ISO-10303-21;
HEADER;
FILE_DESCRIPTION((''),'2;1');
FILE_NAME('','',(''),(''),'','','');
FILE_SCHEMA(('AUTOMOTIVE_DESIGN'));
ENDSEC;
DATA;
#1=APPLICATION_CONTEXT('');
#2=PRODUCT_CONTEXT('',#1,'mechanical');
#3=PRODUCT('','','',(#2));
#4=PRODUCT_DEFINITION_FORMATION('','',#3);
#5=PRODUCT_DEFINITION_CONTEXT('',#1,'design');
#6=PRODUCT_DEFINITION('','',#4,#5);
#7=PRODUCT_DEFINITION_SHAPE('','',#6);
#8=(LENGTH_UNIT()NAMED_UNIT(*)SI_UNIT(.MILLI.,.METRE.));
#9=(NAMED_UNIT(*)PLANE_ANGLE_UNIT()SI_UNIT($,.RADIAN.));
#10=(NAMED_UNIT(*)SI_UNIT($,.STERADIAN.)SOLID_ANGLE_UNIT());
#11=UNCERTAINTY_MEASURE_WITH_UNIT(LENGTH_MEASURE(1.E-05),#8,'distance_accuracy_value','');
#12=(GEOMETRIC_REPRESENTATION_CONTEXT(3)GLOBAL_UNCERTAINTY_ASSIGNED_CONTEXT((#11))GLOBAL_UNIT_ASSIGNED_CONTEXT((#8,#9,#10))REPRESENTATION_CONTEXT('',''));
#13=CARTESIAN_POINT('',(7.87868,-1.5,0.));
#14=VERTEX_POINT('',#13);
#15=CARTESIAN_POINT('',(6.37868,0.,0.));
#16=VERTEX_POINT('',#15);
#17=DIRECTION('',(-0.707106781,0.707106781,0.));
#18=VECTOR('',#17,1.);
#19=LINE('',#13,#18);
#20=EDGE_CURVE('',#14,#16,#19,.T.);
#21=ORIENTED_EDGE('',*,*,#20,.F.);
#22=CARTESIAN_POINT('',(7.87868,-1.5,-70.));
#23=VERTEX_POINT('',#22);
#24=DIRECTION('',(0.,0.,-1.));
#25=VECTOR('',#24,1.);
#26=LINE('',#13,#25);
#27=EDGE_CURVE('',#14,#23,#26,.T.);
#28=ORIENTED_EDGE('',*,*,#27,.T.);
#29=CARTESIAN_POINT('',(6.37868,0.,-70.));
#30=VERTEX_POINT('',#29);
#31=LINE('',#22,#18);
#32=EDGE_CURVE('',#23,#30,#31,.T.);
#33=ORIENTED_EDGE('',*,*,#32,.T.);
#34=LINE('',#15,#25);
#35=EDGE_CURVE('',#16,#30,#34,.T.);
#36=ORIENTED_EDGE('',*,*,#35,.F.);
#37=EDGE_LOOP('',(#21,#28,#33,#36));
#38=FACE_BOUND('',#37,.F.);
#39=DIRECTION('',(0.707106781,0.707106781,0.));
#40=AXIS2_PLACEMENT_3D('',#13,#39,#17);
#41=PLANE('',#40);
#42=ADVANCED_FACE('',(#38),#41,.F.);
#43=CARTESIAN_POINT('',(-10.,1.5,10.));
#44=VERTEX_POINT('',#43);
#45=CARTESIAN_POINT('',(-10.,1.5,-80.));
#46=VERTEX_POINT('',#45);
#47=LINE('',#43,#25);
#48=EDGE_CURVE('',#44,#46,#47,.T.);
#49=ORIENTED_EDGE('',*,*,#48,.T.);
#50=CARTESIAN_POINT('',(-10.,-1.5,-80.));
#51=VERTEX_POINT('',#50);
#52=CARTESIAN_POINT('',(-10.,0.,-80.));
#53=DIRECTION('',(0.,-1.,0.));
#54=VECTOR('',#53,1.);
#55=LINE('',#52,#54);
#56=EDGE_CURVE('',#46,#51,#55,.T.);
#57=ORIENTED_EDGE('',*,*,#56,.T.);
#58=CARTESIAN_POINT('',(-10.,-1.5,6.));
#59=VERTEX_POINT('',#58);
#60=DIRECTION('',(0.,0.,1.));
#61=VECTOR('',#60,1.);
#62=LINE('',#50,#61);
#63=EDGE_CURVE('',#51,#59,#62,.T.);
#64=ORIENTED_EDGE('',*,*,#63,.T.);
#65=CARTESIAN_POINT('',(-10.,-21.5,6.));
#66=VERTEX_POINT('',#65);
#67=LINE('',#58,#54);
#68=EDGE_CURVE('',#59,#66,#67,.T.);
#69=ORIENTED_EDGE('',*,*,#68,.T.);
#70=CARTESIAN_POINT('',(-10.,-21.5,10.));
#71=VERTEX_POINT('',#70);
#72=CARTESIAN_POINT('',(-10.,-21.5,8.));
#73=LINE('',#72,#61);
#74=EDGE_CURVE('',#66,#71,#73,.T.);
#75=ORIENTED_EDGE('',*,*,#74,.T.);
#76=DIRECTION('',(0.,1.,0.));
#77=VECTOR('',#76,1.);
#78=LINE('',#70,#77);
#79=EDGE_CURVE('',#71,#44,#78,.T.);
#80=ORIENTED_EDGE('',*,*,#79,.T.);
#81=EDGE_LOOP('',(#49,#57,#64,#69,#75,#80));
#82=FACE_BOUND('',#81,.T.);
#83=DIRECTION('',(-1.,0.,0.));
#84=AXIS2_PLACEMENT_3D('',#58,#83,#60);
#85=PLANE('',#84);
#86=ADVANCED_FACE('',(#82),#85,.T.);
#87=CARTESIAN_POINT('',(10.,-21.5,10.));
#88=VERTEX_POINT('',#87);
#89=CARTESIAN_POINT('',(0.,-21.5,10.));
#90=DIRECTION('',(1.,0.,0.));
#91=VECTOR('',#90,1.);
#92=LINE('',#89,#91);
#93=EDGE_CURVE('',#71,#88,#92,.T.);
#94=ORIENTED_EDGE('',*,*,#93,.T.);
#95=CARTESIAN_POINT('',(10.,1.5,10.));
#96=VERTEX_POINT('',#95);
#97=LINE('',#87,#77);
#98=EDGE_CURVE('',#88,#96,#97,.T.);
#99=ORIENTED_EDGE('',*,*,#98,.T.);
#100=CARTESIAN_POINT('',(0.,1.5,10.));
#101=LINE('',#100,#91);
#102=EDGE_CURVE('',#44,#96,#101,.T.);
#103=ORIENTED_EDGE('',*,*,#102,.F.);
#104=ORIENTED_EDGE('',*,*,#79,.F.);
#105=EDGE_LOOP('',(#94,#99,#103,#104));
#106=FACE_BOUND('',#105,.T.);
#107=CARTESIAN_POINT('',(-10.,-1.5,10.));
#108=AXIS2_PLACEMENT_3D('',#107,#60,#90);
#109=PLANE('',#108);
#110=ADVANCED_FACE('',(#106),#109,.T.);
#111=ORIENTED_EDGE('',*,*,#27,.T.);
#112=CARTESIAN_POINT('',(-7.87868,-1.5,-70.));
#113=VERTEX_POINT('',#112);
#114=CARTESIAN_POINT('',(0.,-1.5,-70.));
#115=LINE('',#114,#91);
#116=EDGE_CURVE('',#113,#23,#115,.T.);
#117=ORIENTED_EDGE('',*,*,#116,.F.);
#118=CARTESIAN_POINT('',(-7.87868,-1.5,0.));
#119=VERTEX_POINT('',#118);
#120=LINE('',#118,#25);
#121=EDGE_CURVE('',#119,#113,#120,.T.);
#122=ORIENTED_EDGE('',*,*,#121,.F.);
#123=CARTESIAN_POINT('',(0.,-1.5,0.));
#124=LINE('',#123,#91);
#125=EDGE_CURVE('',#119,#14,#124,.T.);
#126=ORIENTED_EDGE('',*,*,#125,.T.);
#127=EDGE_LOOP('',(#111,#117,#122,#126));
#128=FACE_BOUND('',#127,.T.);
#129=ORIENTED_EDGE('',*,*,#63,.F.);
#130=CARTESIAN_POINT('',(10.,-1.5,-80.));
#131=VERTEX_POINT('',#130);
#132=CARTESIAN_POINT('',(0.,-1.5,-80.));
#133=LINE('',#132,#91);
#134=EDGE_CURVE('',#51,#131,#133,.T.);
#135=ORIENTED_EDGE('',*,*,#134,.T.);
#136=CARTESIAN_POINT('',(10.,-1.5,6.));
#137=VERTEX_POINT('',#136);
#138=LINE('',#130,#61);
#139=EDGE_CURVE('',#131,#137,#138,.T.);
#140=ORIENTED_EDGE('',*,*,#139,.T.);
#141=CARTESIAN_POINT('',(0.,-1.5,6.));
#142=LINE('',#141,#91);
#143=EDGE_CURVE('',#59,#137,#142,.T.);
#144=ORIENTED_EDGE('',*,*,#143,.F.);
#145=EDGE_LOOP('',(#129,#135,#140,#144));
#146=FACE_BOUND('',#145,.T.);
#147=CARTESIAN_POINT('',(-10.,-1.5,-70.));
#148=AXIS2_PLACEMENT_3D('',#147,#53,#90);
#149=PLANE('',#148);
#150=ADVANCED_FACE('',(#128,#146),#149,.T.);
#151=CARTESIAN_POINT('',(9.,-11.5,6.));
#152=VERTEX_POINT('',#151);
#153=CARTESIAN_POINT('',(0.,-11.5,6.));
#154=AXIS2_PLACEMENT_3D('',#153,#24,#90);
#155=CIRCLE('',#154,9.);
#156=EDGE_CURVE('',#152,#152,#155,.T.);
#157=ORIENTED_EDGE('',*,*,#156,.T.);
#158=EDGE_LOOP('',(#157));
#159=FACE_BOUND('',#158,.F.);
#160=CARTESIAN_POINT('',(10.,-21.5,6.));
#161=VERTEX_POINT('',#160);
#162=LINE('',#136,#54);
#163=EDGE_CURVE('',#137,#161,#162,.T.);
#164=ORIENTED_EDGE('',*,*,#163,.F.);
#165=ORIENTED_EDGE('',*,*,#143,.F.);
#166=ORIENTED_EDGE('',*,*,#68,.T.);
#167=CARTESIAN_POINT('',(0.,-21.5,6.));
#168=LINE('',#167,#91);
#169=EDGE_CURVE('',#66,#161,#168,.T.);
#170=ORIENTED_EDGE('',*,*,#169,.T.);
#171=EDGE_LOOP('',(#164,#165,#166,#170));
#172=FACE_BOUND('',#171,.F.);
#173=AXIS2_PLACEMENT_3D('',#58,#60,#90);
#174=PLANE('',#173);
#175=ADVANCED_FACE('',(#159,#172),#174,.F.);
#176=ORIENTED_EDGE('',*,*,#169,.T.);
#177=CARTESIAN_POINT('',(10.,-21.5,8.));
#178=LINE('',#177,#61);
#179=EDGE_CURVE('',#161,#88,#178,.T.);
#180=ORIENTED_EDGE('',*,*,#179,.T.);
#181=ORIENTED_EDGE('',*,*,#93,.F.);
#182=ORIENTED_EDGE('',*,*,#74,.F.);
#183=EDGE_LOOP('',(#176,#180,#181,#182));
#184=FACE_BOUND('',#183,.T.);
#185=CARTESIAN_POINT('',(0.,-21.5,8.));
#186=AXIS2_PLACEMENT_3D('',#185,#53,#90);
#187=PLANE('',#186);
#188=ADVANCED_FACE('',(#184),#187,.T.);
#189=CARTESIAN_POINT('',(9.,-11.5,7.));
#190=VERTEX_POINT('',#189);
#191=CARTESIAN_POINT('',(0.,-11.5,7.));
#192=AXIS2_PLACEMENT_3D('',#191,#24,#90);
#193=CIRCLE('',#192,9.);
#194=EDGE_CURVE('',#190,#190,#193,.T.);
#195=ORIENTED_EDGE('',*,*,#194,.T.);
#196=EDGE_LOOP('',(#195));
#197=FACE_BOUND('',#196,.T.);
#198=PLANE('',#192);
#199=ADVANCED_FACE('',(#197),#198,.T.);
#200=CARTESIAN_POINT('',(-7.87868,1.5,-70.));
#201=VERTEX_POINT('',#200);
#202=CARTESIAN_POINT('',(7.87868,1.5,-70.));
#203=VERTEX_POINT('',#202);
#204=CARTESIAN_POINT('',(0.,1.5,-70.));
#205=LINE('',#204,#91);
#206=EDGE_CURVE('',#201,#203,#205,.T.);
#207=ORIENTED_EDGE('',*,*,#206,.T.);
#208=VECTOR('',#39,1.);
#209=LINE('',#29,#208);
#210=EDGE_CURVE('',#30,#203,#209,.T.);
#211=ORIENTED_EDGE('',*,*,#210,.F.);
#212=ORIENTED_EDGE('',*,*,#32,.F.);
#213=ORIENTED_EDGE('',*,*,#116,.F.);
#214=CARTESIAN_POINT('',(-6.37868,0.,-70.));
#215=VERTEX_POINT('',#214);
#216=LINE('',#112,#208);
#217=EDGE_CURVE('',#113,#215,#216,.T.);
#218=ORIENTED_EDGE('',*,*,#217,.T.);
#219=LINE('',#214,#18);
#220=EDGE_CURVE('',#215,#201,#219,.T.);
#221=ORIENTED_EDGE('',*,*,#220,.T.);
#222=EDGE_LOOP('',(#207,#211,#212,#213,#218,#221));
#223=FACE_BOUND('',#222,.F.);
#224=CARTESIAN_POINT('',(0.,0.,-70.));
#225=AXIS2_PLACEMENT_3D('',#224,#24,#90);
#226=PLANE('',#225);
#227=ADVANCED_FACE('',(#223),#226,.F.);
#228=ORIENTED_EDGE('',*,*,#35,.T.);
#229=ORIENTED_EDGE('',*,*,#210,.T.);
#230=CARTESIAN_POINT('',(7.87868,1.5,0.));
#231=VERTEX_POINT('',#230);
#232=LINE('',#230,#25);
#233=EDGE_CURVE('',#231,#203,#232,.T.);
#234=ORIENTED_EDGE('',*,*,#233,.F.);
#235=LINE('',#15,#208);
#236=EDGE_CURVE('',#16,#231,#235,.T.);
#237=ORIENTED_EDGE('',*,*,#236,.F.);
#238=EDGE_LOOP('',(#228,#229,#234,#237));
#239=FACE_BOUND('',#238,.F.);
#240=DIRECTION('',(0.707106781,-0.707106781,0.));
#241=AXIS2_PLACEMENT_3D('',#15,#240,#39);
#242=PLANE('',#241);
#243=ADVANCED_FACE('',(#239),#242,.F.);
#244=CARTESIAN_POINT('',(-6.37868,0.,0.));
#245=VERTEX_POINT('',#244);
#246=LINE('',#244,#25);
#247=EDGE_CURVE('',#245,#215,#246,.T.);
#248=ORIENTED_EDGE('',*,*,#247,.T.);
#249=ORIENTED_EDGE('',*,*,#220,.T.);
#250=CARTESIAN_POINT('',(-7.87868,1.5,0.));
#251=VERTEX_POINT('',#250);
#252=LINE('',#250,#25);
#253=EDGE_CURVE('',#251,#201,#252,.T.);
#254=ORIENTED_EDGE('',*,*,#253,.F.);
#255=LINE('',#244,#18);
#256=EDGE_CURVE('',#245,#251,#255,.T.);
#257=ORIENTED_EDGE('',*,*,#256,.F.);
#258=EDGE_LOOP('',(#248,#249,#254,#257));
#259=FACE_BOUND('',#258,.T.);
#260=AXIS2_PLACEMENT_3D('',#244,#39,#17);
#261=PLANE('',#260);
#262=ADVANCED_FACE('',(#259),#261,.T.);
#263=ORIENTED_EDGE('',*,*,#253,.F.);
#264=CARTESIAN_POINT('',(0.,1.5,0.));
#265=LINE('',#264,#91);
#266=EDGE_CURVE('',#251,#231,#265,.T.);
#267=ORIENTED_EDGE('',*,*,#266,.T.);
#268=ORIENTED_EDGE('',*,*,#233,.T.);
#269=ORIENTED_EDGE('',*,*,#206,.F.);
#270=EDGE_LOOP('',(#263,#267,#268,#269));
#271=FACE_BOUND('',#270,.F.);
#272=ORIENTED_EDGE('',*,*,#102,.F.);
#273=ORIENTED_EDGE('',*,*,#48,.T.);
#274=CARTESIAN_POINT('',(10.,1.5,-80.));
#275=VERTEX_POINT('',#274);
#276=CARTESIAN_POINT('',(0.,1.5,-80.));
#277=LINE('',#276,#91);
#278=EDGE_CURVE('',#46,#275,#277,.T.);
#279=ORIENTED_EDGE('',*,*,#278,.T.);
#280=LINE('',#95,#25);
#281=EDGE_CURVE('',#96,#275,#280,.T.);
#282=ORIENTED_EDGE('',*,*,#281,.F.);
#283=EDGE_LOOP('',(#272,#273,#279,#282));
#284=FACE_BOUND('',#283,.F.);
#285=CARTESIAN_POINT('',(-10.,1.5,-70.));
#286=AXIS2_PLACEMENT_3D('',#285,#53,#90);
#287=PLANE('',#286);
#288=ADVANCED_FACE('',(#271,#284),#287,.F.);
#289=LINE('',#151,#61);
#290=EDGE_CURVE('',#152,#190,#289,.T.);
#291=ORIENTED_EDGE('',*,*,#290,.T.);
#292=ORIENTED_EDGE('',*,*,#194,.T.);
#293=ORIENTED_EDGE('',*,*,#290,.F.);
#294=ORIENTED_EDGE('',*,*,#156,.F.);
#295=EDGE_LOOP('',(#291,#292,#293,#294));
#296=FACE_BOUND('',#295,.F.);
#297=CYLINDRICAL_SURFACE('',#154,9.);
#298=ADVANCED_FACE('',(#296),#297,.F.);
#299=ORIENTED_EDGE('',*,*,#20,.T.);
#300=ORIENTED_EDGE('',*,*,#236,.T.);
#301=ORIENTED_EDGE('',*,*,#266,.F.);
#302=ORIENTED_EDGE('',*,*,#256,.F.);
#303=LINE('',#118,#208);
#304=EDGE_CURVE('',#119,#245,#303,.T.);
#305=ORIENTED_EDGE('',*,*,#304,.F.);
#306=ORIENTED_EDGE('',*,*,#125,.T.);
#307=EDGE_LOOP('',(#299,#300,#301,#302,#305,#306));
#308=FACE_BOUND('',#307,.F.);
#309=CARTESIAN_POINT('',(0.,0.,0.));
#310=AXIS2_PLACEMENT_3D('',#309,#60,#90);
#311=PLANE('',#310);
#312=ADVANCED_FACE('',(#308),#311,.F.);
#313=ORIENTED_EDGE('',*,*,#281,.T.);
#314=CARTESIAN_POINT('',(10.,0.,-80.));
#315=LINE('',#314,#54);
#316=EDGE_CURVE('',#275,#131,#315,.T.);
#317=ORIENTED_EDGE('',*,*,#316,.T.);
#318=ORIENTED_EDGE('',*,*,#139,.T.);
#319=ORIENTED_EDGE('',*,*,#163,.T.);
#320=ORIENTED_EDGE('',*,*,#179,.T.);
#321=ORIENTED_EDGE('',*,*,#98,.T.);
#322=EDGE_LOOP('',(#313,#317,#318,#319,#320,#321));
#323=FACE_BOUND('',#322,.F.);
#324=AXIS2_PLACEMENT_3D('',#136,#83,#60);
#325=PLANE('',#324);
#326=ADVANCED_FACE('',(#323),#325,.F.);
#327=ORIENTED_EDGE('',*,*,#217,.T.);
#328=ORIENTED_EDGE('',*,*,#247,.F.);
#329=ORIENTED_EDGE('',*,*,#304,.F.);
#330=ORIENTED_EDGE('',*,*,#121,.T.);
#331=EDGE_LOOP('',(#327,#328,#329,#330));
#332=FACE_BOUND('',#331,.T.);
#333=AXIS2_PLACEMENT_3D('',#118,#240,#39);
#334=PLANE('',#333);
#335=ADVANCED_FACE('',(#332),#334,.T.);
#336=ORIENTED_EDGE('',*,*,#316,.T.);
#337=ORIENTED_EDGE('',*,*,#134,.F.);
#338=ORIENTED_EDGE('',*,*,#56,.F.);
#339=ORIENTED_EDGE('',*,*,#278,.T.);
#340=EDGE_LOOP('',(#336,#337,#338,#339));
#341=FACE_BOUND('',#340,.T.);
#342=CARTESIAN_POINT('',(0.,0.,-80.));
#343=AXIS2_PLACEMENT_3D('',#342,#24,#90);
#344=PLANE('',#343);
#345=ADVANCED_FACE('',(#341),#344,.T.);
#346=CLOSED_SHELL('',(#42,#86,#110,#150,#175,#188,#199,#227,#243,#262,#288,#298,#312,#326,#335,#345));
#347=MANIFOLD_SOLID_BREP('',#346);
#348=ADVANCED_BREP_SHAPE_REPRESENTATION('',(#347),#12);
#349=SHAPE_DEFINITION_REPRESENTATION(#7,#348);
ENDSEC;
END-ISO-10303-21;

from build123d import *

# Parameters (mm, degrees)
SKETCH010_W  = 20
SKETCH010_H  = 3
PAD008_DEPTH = 10
PAD009_DEPTH = 70
SKETCH012_W  = 20
SKETCH012_H  = 3
PAD010_DEPTH = 10
SKETCH014_W  = 20
SKETCH014_H  = 4
PAD012_DEPTH = 20
SKETCH018_R  = 9
POCKET_DEPTH = 1


with BuildPart() as part:
    # Sketch010 (on XY_Plane of Origin012) → Pad008 (new body)
    with BuildSketch(Plane.XY):
        Rectangle(SKETCH010_W, SKETCH010_H)
    extrude(amount=PAD008_DEPTH)

    # Sketch011 (on Face5 of Pad008) → Pad009 (join)
    with BuildSketch(Plane(origin=(0, 0, 0), x_dir=(1, 0, 0), z_dir=(0, 0, -1))):
        Polygon((-7.87868, 1.5), (-6.37868, 0), (-7.87868, -1.5), (-10, -1.5), (-10, 1.5), align=None)
        Polygon((7.87868, 1.5), (6.37868, 0), (7.87868, -1.5), (10, -1.5), (10, 1.5), align=None)
    extrude(amount=PAD009_DEPTH)

    # Sketch012 (on Face7 of Pad009) → Pad010 (join)
    with BuildSketch(Plane(origin=(0, 0, -70), x_dir=(1, 0, 0), z_dir=(0, 0, -1))):
        Rectangle(SKETCH012_W, SKETCH012_H)
    extrude(amount=PAD010_DEPTH)

    # Sketch014 (on Face10 of Pad010) → Pad012 (join)
    with BuildSketch(Plane.XZ.offset(1.5)):
        with Locations((0, 8)):
            Rectangle(SKETCH014_W, SKETCH014_H)
    extrude(amount=PAD012_DEPTH)

    # Sketch018 (on Face4 of Pad012) → Pocket (cut)
    with BuildSketch(Plane(origin=(0, 0, 6), x_dir=(1, 0, 0), z_dir=(0, 0, -1))):
        with Locations((0, 11.5)):
            Circle(SKETCH018_R)
    extrude(amount=-POCKET_DEPTH, mode=Mode.SUBTRACT)


solid = part.part
